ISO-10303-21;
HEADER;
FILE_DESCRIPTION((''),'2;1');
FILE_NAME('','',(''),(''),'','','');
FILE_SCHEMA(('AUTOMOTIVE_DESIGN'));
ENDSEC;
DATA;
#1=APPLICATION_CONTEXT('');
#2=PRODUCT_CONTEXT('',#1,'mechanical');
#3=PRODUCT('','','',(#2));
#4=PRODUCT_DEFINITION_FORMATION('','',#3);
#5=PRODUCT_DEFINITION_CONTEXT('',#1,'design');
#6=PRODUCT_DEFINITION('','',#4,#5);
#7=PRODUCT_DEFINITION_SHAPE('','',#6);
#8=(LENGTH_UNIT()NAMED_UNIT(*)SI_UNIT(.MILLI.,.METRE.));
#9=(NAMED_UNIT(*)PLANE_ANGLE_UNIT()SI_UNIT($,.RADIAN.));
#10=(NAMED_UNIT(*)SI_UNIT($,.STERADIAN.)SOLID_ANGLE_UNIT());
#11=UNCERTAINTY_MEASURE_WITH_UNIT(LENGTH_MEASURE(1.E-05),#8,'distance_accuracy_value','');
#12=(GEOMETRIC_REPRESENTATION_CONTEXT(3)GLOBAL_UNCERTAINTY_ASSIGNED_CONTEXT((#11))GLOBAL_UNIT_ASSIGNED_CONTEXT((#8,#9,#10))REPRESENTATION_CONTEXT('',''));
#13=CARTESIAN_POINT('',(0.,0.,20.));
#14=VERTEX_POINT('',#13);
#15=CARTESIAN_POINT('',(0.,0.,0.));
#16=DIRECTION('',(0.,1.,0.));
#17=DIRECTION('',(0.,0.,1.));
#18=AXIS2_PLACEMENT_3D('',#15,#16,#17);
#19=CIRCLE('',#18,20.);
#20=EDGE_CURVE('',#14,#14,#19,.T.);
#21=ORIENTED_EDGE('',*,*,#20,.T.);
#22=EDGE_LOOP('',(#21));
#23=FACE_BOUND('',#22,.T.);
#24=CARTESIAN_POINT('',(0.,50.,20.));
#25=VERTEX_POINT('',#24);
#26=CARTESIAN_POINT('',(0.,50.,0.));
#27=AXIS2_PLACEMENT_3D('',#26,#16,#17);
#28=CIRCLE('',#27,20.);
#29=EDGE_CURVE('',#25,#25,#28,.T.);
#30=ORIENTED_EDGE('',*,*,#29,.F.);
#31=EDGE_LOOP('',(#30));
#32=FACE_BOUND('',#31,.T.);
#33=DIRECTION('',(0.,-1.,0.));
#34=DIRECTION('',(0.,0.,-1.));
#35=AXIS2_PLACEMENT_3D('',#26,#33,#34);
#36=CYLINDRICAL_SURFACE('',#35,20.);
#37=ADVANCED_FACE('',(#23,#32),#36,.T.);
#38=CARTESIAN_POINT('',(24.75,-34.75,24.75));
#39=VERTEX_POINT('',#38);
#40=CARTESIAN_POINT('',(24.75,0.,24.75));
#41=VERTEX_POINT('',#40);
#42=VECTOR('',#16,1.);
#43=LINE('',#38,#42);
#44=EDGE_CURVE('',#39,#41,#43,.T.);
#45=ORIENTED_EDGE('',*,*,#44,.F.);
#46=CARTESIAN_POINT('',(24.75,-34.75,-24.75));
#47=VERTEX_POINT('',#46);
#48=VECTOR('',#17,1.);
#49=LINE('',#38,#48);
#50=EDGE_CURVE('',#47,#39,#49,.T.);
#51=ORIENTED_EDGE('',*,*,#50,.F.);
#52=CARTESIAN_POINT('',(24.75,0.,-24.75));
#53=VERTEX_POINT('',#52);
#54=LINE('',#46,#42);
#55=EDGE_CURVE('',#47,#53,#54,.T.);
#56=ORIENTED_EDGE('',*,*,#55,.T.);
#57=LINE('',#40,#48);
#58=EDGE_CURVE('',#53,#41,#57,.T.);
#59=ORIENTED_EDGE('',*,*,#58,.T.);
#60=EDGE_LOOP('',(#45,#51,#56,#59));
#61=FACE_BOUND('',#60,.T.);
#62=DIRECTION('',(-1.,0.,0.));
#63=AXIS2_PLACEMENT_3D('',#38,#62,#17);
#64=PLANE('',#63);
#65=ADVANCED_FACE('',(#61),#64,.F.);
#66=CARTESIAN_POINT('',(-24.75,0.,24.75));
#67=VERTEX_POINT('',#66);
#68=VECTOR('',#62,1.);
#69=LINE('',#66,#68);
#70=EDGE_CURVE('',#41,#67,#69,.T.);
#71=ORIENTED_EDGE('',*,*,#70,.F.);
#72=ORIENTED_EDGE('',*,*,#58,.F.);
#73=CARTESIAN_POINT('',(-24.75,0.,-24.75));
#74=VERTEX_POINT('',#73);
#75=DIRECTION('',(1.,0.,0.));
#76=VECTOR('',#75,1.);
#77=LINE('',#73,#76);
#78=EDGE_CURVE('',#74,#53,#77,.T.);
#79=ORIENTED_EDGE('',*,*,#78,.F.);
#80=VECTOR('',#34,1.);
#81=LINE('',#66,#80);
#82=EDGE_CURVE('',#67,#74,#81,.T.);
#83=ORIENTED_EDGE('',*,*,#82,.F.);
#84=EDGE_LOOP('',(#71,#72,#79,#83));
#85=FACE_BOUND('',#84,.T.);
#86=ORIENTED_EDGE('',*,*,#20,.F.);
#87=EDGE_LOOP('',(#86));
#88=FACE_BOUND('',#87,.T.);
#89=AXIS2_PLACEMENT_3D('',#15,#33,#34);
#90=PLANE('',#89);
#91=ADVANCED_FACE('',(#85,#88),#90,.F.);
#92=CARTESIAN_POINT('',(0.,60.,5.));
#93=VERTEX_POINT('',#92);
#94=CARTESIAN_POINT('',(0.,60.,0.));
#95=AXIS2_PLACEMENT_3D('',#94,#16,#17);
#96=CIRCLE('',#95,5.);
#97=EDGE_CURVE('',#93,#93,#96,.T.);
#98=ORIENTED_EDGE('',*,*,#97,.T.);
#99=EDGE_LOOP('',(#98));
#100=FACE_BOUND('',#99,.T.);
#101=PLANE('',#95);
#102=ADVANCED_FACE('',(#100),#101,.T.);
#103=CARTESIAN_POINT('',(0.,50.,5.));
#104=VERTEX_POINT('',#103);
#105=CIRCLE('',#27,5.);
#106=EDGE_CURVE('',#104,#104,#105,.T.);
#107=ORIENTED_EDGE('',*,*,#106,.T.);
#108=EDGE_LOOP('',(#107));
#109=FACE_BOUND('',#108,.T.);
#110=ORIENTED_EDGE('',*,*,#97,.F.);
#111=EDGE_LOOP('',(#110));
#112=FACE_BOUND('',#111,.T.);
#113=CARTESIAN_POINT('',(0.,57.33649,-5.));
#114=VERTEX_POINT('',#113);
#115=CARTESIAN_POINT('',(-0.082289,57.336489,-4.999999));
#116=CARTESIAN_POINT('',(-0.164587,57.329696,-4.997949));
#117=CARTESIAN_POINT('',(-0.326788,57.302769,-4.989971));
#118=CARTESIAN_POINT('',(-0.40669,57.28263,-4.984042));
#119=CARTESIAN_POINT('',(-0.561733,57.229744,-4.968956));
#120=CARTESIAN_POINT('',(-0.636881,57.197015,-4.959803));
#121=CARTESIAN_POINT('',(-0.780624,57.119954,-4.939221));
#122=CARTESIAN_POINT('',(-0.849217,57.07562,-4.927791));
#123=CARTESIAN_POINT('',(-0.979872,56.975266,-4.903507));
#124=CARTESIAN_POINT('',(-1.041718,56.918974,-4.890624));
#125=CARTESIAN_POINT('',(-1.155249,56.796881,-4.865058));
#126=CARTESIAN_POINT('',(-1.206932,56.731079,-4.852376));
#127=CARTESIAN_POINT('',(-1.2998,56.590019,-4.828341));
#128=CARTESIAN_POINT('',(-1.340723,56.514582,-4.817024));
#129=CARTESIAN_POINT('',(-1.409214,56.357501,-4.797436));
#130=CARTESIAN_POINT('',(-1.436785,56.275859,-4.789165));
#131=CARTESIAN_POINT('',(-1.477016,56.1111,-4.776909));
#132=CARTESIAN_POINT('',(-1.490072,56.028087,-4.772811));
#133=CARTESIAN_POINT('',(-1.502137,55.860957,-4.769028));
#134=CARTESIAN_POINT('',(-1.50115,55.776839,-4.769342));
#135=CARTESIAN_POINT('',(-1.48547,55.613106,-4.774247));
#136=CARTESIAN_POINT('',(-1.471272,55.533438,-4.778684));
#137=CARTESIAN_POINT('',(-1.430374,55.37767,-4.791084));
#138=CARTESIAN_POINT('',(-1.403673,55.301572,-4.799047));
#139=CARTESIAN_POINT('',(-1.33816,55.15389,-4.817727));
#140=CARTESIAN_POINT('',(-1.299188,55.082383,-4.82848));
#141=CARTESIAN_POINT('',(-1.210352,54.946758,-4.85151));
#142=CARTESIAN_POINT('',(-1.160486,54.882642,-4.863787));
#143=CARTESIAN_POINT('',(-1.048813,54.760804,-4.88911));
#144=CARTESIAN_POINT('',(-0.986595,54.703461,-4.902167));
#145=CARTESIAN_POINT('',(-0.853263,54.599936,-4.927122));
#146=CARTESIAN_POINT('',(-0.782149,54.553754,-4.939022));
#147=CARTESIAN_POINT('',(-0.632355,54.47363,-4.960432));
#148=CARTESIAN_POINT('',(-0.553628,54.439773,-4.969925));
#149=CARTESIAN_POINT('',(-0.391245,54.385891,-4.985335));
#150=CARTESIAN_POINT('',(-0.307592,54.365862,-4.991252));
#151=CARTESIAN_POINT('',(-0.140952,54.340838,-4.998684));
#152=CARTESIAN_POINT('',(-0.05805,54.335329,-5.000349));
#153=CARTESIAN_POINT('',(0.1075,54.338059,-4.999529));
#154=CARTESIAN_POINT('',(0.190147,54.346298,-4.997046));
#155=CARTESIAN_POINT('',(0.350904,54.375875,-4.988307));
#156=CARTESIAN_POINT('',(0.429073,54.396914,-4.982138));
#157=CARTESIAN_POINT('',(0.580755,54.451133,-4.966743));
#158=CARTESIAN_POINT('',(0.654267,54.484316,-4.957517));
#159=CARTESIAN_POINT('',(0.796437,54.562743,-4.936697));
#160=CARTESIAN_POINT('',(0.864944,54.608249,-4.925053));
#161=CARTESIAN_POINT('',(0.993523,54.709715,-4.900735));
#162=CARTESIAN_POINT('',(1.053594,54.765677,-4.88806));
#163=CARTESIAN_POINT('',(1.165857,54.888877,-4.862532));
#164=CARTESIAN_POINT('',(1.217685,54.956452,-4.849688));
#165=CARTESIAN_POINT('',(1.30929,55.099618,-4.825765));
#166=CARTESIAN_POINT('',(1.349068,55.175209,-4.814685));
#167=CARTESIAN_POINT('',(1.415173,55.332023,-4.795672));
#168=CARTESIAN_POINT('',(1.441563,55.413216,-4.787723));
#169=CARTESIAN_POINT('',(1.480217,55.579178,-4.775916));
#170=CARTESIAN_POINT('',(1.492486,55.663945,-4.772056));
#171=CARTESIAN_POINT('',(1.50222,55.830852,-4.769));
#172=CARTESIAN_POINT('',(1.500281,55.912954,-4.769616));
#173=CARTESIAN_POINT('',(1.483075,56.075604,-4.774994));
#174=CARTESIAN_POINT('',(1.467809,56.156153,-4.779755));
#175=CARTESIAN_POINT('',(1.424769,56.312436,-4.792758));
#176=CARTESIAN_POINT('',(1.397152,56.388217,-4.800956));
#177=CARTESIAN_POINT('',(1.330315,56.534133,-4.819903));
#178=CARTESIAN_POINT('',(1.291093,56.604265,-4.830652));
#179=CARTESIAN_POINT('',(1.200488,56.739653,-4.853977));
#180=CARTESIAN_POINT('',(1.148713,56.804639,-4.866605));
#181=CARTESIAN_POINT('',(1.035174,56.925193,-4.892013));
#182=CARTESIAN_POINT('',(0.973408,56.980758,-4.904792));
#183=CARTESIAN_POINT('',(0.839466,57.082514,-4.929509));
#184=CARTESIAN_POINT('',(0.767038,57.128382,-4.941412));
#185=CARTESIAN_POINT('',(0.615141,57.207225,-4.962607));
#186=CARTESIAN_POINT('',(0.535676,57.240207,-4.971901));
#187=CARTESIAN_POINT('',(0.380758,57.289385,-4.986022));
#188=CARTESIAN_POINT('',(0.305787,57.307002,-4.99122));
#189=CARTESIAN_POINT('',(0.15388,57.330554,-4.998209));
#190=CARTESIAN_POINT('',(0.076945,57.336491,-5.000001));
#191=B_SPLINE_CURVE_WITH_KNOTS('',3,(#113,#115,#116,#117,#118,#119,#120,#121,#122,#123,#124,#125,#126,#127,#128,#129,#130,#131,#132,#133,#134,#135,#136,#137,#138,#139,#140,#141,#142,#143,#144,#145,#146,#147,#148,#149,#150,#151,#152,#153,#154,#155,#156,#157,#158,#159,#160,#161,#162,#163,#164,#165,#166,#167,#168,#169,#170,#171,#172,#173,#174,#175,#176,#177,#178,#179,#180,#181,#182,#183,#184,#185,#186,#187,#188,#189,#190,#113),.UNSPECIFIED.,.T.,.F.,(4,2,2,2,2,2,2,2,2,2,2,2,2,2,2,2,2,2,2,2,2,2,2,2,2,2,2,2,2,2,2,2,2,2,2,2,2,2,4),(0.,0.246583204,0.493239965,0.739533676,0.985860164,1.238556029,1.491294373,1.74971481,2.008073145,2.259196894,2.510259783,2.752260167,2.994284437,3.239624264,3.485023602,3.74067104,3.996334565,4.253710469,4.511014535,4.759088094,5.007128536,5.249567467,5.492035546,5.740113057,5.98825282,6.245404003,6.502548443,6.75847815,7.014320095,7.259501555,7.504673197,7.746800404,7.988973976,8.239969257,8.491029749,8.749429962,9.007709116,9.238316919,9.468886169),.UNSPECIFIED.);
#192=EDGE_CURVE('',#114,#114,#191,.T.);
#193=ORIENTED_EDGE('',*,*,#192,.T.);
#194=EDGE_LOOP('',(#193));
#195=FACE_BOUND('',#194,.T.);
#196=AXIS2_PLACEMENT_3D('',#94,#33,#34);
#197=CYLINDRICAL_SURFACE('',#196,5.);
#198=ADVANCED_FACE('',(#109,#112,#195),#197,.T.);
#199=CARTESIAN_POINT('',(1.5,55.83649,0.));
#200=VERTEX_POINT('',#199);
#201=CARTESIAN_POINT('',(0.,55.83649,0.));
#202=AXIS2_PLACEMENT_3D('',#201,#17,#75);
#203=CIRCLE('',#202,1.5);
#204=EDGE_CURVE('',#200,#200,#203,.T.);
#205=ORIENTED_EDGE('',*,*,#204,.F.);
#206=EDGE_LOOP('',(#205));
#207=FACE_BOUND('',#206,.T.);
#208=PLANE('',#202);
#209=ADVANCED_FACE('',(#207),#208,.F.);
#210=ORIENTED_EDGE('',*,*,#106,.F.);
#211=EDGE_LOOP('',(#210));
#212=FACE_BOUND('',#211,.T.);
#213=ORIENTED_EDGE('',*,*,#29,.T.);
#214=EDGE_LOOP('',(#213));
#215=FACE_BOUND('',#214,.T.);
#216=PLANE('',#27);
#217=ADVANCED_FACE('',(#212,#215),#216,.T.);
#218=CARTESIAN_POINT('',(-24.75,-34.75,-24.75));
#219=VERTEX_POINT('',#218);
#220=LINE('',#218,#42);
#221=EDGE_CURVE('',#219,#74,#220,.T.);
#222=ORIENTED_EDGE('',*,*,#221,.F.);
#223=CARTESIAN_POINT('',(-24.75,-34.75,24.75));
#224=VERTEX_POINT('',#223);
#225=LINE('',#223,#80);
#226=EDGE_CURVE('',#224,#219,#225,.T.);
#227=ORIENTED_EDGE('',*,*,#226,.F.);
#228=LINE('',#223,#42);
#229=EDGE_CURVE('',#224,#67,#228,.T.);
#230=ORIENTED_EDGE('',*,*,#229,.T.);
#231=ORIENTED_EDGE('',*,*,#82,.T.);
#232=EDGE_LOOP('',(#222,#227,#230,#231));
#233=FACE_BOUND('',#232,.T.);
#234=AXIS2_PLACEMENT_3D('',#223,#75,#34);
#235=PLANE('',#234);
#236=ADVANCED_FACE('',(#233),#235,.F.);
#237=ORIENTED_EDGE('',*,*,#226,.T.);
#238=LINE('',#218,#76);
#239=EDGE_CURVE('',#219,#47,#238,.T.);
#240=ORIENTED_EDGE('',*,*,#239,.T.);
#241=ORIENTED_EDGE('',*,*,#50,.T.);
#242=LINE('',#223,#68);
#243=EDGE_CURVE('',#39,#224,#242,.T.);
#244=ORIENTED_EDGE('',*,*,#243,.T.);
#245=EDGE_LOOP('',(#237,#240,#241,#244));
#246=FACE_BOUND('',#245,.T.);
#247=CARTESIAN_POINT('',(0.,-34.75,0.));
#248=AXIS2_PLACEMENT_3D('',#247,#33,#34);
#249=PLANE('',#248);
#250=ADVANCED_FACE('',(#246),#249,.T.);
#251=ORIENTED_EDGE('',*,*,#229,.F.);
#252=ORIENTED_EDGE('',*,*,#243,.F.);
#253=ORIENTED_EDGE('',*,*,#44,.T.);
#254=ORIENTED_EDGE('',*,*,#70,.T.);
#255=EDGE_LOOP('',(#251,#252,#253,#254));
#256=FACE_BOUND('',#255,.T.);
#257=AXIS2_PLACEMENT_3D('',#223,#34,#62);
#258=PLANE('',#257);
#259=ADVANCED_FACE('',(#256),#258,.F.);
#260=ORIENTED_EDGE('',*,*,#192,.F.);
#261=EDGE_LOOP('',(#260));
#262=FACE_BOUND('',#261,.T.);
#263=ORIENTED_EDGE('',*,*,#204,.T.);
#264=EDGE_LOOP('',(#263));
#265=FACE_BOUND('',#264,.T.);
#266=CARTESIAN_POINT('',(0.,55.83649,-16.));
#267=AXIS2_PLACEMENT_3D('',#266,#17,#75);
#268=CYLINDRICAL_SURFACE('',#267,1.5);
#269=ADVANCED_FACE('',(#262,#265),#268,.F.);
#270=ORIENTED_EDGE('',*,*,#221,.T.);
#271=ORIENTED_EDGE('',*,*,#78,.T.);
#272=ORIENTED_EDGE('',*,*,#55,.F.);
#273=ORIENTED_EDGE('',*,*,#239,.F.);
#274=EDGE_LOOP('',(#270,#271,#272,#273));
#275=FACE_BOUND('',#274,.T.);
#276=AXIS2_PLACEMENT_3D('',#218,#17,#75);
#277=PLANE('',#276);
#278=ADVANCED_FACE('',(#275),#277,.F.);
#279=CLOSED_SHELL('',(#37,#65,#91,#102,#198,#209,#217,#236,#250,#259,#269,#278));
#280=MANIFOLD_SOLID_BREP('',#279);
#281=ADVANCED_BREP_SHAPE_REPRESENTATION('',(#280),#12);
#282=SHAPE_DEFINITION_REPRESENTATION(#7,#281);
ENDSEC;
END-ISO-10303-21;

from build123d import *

# Parameters (mm, degrees)
SKETCH1_R           = 20
BOSS_EXTRUDE1_DEPTH = 50
SKETCH2_R           = 5
BOSS_EXTRUDE2_DEPTH = 10
SKETCH3_R           = 1.5
CUT_EXTRUDE1_DEPTH  = 16
SKETCH4_W           = 49.5
SKETCH4_H           = 49.5
BOSS_EXTRUDE3_DEPTH = 34.75


with BuildPart() as part:
    # Sketch1 → Boss-Extrude1 (new body)
    with BuildSketch(Plane(origin=(0, 0, 0), x_dir=(1, 0, 0), z_dir=(0, 1, 0))):
        with Locations(Location((0, 0, 0), (0, 0, 270))):
            Circle(SKETCH1_R)
    extrude(amount=BOSS_EXTRUDE1_DEPTH)

    # Sketch2 → Boss-Extrude2 (add)
    with BuildSketch(Plane(origin=(0, 50, 0), x_dir=(1, 0, 0), z_dir=(0, 1, 0))):
        with Locations(Location((0, 0, 0), (0, 0, 270))):
            Circle(SKETCH2_R)
    extrude(amount=BOSS_EXTRUDE2_DEPTH)

    # Sketch3 → Cut-Extrude1 (cut)
    with BuildSketch(Plane.XY):
        with Locations((0, 55.836490144)):
            Circle(SKETCH3_R)
    extrude(amount=-CUT_EXTRUDE1_DEPTH, mode=Mode.SUBTRACT)

    # Sketch4 → Boss-Extrude3 (add)
    with BuildSketch(Plane(origin=(0, 0, 0), x_dir=(-1, 0, 0), z_dir=(0, -1, 0))):
        Rectangle(SKETCH4_W, SKETCH4_H)
    extrude(amount=BOSS_EXTRUDE3_DEPTH)


solid = part.part
